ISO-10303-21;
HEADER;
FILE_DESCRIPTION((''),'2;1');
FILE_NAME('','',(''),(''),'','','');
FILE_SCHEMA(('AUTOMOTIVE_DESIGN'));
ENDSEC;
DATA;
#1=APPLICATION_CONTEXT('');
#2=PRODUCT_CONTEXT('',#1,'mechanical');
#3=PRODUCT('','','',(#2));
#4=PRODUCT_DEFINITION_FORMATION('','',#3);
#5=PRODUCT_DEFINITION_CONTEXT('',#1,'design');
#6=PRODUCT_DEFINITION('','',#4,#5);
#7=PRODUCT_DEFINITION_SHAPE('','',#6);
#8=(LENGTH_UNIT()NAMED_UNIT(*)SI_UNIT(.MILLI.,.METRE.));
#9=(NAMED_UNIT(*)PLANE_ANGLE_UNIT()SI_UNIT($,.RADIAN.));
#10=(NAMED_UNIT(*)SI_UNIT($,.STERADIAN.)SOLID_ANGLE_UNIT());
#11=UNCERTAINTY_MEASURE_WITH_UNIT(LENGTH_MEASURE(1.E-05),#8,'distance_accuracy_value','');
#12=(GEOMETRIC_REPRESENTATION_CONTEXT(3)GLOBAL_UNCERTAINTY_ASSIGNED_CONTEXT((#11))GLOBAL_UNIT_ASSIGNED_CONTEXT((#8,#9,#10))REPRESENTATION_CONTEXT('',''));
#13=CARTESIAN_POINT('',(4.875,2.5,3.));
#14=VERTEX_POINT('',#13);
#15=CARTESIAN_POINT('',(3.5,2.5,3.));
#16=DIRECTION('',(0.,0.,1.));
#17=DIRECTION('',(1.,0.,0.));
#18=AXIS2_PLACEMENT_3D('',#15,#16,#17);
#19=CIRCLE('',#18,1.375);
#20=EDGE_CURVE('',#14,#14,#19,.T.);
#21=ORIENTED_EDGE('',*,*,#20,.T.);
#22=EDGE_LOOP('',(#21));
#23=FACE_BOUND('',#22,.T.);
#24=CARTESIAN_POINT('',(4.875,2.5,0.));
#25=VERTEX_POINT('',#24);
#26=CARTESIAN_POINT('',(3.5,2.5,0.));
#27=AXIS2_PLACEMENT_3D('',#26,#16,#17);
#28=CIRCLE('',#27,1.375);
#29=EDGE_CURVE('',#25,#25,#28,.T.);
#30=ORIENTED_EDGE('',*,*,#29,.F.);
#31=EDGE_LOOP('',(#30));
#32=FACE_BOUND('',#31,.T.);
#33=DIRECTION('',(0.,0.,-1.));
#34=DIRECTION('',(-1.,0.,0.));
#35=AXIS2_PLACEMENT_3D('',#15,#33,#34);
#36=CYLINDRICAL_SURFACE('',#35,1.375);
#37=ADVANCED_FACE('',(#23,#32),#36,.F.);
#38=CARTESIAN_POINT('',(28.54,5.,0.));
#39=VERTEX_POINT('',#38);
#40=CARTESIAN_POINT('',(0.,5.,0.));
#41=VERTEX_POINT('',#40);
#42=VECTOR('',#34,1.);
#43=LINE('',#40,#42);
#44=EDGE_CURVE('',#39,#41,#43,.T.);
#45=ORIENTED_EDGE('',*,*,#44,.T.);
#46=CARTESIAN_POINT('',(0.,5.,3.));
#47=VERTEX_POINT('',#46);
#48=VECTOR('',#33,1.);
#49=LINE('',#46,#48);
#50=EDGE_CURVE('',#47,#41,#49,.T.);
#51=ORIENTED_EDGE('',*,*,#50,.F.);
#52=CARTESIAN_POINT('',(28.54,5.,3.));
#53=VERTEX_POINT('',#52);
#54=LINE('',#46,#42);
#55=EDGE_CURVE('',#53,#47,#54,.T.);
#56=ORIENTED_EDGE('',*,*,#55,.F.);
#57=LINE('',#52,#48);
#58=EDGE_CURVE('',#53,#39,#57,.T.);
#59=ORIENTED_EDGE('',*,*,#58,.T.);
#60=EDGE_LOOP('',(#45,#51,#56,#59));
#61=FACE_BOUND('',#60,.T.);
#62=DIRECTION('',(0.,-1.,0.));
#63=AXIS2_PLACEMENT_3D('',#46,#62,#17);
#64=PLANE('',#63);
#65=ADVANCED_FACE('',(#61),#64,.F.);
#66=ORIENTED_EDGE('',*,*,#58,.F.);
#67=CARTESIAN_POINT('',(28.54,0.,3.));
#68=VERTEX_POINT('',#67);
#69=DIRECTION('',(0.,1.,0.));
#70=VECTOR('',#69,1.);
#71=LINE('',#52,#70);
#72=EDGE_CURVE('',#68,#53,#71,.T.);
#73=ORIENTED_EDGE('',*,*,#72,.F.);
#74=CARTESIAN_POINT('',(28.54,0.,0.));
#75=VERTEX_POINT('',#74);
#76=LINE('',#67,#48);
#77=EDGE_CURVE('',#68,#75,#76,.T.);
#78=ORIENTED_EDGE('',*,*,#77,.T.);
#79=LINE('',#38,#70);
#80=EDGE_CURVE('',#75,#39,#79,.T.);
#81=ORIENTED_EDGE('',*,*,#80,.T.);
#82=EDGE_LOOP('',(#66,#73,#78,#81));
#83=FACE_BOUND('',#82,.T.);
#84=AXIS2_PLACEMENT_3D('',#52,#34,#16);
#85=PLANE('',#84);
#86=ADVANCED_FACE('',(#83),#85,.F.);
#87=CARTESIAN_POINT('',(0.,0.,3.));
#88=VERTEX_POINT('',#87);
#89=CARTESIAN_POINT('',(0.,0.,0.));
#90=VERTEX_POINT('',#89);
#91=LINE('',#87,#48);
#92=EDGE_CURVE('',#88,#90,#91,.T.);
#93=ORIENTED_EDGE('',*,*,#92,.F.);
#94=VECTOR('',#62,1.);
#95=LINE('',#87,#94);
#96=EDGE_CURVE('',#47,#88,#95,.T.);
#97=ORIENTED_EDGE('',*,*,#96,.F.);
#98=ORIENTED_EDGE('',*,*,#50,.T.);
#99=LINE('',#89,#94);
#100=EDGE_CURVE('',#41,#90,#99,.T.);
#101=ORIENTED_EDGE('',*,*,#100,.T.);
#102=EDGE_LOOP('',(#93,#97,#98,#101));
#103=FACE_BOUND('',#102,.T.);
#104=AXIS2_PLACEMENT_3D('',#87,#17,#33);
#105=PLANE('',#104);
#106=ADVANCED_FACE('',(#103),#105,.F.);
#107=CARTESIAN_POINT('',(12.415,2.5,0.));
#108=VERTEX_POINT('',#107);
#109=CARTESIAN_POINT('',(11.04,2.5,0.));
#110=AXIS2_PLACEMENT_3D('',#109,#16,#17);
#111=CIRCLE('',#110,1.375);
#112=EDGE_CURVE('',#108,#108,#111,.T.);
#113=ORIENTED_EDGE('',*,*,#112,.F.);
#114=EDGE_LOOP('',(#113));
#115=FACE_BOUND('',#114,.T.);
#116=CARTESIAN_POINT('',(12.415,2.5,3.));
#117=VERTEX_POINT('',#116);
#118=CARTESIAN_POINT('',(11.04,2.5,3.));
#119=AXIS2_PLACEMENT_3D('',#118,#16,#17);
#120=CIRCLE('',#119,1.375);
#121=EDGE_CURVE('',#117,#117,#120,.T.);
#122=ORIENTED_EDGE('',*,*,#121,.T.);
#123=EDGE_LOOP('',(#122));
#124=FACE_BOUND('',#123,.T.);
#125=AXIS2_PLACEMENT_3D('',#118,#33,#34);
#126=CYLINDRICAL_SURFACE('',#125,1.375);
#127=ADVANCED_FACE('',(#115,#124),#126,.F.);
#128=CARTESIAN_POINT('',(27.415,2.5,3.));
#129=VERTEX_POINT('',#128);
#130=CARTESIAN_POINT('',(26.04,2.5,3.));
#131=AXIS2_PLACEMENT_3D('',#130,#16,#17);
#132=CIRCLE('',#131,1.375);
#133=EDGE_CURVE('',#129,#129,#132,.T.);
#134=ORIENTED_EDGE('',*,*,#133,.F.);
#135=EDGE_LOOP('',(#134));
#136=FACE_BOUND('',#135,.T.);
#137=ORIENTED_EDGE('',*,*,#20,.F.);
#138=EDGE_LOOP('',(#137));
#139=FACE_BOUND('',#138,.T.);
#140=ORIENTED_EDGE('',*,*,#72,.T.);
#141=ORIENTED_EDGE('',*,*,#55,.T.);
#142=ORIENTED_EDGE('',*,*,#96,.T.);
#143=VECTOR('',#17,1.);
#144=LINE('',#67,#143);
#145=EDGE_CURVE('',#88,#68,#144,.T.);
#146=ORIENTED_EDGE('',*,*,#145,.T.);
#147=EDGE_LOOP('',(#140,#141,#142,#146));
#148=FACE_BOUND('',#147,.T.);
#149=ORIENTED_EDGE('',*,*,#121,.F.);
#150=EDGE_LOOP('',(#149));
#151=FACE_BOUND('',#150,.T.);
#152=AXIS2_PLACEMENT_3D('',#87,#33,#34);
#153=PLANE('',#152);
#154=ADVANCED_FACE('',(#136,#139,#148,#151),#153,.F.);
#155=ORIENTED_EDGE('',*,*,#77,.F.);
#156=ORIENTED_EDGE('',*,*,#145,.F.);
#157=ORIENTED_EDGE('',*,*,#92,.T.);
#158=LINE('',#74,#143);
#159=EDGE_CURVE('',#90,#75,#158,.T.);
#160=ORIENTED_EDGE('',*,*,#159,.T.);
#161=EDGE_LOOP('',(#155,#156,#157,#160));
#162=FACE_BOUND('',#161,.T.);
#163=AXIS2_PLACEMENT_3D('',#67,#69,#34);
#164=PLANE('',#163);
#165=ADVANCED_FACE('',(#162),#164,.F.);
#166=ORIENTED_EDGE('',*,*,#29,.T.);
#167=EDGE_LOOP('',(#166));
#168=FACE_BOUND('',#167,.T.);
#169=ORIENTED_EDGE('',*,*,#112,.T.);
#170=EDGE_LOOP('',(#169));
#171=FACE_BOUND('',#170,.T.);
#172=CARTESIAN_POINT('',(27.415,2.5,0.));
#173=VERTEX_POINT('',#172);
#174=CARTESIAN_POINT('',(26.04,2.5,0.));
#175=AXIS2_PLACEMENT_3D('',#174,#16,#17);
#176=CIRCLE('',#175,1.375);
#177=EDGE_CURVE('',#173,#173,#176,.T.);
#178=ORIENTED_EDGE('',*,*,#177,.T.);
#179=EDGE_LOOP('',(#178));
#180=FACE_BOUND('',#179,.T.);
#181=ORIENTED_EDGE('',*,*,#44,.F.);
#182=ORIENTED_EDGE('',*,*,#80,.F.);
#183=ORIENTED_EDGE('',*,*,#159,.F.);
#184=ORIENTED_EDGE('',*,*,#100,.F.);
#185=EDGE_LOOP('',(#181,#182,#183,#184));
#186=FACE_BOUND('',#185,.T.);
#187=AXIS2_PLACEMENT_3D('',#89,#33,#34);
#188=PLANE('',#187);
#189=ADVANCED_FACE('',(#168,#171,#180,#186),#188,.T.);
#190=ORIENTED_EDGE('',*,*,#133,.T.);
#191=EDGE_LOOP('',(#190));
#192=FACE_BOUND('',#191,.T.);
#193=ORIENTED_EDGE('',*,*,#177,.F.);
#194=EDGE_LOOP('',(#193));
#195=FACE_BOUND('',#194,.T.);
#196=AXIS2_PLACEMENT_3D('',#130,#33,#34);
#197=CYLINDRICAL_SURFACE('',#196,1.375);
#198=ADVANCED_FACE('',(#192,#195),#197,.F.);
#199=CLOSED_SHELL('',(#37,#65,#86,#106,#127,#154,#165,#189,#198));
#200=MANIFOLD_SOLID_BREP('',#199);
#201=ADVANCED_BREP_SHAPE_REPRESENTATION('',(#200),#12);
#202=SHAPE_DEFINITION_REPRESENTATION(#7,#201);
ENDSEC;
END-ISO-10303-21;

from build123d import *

# Parameters (mm, degrees)
SKETCH2_W           = 28.54
SKETCH2_H           = 5
SKETCH2_R           = 1.375
BOSS_EXTRUDE1_DEPTH = 3


with BuildPart() as part:
    # Sketch2 → Boss-Extrude1 (new body)
    with BuildSketch(Plane.XY):
        with Locations((14.27, 2.5)):
            Rectangle(SKETCH2_W, SKETCH2_H)
        with Locations((3.5, 2.5)):
            Circle(SKETCH2_R, mode=Mode.SUBTRACT)
        with Locations((11.04, 2.5)):
            Circle(SKETCH2_R, mode=Mode.SUBTRACT)
        with Locations((26.04, 2.5)):
            Circle(SKETCH2_R, mode=Mode.SUBTRACT)
    extrude(amount=BOSS_EXTRUDE1_DEPTH)


solid = part.part
